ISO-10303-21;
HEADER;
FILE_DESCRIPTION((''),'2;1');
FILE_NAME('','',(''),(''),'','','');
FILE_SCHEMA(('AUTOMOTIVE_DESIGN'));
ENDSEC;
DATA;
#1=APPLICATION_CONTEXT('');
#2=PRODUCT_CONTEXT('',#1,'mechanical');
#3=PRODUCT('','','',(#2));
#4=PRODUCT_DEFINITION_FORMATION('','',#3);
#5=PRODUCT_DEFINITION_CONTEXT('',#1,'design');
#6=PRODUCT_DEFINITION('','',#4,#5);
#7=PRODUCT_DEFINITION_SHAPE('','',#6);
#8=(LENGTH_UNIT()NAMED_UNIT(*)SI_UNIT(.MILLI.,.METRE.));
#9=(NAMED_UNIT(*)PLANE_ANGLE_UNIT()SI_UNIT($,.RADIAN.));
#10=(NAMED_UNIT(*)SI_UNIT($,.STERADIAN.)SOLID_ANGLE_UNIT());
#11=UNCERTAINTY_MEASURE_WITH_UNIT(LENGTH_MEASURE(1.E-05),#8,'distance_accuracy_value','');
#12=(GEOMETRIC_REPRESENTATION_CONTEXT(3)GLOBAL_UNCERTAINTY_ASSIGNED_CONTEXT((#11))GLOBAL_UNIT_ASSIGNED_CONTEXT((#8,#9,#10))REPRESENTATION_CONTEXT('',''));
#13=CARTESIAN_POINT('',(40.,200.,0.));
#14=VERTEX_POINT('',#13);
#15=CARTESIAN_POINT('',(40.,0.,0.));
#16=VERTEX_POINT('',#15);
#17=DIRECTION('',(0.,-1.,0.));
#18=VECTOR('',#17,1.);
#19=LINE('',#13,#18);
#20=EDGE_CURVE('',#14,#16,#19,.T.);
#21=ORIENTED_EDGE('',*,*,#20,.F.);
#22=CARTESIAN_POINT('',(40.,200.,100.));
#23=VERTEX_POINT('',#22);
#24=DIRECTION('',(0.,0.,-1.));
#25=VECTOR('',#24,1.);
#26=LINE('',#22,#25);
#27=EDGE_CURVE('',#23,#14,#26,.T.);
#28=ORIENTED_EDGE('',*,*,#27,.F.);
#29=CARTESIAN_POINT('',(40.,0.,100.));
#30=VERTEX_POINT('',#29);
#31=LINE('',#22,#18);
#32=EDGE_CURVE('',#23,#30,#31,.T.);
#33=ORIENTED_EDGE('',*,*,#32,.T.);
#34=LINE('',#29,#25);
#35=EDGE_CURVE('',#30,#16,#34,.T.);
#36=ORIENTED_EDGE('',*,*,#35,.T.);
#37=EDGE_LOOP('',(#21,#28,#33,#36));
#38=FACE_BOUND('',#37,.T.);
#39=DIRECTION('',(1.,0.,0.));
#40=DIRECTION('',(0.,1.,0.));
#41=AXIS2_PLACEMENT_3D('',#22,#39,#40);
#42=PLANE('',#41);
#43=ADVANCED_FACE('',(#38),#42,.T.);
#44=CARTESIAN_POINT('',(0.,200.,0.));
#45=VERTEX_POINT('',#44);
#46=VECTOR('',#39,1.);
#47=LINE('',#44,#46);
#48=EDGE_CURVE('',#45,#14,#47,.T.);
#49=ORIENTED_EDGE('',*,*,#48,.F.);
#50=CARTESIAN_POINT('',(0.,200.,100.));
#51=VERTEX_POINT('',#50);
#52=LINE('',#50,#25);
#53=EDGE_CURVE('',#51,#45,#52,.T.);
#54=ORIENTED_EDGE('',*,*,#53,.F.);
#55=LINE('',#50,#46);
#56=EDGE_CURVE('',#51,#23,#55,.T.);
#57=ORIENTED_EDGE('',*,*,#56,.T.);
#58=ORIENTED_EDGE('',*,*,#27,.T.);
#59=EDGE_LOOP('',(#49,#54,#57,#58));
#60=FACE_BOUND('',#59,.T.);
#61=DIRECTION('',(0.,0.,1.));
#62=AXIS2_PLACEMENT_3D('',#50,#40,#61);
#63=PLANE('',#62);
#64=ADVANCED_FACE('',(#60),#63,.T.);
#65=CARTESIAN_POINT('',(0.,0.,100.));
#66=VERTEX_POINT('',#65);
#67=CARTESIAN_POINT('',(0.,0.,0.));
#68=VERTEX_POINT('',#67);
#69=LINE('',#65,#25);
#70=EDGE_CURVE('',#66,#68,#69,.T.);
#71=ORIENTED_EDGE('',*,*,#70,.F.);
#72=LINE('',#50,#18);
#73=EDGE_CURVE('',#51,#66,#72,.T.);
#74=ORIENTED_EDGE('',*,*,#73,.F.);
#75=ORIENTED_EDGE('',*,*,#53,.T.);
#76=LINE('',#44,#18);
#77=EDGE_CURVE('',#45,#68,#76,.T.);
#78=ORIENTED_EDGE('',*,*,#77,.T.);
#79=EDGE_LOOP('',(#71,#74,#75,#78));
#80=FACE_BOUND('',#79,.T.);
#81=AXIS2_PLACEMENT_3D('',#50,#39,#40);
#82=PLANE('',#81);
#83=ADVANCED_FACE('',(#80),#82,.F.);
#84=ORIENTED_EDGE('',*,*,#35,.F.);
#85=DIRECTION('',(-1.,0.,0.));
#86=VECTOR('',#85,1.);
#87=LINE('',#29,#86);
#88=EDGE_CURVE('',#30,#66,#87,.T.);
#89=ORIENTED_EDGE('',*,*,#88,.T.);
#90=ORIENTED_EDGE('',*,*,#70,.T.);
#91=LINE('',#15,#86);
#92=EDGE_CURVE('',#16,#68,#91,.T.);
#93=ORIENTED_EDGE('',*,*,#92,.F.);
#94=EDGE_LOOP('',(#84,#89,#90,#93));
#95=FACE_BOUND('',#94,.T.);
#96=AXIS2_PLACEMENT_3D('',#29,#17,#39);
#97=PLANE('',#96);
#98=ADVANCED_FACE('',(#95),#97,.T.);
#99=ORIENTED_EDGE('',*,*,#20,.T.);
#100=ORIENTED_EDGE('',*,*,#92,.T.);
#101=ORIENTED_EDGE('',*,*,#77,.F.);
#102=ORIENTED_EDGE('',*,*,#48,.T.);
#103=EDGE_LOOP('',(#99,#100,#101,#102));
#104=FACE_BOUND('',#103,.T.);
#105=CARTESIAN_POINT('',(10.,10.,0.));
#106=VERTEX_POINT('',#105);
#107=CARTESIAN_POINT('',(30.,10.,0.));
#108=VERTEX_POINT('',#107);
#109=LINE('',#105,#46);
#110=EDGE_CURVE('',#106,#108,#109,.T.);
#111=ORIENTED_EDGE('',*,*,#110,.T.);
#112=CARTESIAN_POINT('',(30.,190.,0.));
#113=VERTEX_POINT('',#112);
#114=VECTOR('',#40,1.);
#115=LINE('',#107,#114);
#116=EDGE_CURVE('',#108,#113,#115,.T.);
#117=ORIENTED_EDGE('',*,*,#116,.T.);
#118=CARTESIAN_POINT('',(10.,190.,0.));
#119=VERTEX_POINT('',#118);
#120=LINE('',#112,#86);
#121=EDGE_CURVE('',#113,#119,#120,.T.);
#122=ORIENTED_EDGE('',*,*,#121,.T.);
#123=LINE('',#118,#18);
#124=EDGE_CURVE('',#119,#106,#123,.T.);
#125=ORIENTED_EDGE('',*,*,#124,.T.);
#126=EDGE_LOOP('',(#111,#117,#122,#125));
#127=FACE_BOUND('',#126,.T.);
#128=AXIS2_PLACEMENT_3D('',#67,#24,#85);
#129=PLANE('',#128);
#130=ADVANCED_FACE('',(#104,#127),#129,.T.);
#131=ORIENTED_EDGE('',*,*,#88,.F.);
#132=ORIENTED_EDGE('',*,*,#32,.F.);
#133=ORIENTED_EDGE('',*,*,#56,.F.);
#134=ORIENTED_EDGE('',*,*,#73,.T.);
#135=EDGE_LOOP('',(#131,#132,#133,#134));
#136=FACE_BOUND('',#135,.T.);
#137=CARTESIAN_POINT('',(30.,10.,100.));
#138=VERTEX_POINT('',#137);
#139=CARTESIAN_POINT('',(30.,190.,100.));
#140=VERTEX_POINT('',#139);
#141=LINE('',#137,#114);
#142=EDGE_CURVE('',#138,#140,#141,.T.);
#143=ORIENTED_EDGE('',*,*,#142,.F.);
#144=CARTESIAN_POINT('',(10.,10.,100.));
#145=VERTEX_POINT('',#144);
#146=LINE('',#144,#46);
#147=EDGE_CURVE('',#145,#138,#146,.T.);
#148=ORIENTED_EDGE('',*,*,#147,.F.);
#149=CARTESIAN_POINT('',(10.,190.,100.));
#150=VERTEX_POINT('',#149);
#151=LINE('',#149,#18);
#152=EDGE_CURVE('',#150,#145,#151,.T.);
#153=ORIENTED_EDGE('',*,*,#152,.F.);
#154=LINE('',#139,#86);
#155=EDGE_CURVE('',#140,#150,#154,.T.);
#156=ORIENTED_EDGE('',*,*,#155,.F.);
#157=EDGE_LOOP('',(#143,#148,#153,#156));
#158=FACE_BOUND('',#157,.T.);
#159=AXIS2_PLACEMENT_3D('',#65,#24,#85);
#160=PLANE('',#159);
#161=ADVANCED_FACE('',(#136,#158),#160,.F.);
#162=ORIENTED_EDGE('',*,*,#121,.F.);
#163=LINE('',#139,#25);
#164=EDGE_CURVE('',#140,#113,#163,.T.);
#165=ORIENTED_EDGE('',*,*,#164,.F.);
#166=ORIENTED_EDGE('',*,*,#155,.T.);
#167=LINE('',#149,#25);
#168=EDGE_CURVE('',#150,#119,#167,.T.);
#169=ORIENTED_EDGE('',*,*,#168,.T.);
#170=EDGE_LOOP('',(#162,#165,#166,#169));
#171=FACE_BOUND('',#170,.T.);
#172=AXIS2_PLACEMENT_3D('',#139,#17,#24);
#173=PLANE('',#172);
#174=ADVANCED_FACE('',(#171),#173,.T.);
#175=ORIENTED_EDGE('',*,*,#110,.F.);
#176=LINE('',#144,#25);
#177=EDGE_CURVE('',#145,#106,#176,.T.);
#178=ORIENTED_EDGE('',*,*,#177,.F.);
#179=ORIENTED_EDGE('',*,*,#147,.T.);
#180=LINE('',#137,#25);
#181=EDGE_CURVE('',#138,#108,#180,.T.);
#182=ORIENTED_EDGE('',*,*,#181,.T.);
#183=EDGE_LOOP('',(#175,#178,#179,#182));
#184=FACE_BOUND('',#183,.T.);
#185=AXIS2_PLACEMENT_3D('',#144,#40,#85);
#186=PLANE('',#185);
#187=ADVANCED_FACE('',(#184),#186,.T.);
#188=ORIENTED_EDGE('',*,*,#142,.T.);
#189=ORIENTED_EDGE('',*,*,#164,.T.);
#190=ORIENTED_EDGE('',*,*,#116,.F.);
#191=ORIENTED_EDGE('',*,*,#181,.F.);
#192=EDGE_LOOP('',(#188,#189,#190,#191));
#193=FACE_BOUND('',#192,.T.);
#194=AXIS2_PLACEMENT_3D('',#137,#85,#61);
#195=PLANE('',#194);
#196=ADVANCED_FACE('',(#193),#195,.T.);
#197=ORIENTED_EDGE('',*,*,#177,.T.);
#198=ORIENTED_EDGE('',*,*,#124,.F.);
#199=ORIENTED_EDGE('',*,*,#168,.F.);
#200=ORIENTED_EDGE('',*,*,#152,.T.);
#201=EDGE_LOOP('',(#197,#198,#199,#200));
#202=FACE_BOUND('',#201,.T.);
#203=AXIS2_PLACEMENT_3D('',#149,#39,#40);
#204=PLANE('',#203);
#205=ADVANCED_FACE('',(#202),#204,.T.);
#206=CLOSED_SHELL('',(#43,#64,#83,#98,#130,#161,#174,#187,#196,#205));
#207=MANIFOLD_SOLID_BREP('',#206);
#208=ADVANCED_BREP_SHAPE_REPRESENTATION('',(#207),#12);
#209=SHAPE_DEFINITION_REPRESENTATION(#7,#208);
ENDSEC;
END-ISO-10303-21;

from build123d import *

# Parameters (mm, degrees)
ESQUISSE1_W        = 40
ESQUISSE1_H        = 200
ESQUISSE1_W_2      = 20
ESQUISSE1_H_2      = 180
BOSS_EXTRU_2_DEPTH = 100


with BuildPart() as part:
    # Esquisse1 → Boss.-Extru.2 (new body)
    with BuildSketch(Plane.XY):
        with Locations((20, 100)):
            Rectangle(ESQUISSE1_W, ESQUISSE1_H)
        with Locations((20, 100)):
            Rectangle(ESQUISSE1_W_2, ESQUISSE1_H_2, mode=Mode.SUBTRACT)
    extrude(amount=BOSS_EXTRU_2_DEPTH)


solid = part.part
